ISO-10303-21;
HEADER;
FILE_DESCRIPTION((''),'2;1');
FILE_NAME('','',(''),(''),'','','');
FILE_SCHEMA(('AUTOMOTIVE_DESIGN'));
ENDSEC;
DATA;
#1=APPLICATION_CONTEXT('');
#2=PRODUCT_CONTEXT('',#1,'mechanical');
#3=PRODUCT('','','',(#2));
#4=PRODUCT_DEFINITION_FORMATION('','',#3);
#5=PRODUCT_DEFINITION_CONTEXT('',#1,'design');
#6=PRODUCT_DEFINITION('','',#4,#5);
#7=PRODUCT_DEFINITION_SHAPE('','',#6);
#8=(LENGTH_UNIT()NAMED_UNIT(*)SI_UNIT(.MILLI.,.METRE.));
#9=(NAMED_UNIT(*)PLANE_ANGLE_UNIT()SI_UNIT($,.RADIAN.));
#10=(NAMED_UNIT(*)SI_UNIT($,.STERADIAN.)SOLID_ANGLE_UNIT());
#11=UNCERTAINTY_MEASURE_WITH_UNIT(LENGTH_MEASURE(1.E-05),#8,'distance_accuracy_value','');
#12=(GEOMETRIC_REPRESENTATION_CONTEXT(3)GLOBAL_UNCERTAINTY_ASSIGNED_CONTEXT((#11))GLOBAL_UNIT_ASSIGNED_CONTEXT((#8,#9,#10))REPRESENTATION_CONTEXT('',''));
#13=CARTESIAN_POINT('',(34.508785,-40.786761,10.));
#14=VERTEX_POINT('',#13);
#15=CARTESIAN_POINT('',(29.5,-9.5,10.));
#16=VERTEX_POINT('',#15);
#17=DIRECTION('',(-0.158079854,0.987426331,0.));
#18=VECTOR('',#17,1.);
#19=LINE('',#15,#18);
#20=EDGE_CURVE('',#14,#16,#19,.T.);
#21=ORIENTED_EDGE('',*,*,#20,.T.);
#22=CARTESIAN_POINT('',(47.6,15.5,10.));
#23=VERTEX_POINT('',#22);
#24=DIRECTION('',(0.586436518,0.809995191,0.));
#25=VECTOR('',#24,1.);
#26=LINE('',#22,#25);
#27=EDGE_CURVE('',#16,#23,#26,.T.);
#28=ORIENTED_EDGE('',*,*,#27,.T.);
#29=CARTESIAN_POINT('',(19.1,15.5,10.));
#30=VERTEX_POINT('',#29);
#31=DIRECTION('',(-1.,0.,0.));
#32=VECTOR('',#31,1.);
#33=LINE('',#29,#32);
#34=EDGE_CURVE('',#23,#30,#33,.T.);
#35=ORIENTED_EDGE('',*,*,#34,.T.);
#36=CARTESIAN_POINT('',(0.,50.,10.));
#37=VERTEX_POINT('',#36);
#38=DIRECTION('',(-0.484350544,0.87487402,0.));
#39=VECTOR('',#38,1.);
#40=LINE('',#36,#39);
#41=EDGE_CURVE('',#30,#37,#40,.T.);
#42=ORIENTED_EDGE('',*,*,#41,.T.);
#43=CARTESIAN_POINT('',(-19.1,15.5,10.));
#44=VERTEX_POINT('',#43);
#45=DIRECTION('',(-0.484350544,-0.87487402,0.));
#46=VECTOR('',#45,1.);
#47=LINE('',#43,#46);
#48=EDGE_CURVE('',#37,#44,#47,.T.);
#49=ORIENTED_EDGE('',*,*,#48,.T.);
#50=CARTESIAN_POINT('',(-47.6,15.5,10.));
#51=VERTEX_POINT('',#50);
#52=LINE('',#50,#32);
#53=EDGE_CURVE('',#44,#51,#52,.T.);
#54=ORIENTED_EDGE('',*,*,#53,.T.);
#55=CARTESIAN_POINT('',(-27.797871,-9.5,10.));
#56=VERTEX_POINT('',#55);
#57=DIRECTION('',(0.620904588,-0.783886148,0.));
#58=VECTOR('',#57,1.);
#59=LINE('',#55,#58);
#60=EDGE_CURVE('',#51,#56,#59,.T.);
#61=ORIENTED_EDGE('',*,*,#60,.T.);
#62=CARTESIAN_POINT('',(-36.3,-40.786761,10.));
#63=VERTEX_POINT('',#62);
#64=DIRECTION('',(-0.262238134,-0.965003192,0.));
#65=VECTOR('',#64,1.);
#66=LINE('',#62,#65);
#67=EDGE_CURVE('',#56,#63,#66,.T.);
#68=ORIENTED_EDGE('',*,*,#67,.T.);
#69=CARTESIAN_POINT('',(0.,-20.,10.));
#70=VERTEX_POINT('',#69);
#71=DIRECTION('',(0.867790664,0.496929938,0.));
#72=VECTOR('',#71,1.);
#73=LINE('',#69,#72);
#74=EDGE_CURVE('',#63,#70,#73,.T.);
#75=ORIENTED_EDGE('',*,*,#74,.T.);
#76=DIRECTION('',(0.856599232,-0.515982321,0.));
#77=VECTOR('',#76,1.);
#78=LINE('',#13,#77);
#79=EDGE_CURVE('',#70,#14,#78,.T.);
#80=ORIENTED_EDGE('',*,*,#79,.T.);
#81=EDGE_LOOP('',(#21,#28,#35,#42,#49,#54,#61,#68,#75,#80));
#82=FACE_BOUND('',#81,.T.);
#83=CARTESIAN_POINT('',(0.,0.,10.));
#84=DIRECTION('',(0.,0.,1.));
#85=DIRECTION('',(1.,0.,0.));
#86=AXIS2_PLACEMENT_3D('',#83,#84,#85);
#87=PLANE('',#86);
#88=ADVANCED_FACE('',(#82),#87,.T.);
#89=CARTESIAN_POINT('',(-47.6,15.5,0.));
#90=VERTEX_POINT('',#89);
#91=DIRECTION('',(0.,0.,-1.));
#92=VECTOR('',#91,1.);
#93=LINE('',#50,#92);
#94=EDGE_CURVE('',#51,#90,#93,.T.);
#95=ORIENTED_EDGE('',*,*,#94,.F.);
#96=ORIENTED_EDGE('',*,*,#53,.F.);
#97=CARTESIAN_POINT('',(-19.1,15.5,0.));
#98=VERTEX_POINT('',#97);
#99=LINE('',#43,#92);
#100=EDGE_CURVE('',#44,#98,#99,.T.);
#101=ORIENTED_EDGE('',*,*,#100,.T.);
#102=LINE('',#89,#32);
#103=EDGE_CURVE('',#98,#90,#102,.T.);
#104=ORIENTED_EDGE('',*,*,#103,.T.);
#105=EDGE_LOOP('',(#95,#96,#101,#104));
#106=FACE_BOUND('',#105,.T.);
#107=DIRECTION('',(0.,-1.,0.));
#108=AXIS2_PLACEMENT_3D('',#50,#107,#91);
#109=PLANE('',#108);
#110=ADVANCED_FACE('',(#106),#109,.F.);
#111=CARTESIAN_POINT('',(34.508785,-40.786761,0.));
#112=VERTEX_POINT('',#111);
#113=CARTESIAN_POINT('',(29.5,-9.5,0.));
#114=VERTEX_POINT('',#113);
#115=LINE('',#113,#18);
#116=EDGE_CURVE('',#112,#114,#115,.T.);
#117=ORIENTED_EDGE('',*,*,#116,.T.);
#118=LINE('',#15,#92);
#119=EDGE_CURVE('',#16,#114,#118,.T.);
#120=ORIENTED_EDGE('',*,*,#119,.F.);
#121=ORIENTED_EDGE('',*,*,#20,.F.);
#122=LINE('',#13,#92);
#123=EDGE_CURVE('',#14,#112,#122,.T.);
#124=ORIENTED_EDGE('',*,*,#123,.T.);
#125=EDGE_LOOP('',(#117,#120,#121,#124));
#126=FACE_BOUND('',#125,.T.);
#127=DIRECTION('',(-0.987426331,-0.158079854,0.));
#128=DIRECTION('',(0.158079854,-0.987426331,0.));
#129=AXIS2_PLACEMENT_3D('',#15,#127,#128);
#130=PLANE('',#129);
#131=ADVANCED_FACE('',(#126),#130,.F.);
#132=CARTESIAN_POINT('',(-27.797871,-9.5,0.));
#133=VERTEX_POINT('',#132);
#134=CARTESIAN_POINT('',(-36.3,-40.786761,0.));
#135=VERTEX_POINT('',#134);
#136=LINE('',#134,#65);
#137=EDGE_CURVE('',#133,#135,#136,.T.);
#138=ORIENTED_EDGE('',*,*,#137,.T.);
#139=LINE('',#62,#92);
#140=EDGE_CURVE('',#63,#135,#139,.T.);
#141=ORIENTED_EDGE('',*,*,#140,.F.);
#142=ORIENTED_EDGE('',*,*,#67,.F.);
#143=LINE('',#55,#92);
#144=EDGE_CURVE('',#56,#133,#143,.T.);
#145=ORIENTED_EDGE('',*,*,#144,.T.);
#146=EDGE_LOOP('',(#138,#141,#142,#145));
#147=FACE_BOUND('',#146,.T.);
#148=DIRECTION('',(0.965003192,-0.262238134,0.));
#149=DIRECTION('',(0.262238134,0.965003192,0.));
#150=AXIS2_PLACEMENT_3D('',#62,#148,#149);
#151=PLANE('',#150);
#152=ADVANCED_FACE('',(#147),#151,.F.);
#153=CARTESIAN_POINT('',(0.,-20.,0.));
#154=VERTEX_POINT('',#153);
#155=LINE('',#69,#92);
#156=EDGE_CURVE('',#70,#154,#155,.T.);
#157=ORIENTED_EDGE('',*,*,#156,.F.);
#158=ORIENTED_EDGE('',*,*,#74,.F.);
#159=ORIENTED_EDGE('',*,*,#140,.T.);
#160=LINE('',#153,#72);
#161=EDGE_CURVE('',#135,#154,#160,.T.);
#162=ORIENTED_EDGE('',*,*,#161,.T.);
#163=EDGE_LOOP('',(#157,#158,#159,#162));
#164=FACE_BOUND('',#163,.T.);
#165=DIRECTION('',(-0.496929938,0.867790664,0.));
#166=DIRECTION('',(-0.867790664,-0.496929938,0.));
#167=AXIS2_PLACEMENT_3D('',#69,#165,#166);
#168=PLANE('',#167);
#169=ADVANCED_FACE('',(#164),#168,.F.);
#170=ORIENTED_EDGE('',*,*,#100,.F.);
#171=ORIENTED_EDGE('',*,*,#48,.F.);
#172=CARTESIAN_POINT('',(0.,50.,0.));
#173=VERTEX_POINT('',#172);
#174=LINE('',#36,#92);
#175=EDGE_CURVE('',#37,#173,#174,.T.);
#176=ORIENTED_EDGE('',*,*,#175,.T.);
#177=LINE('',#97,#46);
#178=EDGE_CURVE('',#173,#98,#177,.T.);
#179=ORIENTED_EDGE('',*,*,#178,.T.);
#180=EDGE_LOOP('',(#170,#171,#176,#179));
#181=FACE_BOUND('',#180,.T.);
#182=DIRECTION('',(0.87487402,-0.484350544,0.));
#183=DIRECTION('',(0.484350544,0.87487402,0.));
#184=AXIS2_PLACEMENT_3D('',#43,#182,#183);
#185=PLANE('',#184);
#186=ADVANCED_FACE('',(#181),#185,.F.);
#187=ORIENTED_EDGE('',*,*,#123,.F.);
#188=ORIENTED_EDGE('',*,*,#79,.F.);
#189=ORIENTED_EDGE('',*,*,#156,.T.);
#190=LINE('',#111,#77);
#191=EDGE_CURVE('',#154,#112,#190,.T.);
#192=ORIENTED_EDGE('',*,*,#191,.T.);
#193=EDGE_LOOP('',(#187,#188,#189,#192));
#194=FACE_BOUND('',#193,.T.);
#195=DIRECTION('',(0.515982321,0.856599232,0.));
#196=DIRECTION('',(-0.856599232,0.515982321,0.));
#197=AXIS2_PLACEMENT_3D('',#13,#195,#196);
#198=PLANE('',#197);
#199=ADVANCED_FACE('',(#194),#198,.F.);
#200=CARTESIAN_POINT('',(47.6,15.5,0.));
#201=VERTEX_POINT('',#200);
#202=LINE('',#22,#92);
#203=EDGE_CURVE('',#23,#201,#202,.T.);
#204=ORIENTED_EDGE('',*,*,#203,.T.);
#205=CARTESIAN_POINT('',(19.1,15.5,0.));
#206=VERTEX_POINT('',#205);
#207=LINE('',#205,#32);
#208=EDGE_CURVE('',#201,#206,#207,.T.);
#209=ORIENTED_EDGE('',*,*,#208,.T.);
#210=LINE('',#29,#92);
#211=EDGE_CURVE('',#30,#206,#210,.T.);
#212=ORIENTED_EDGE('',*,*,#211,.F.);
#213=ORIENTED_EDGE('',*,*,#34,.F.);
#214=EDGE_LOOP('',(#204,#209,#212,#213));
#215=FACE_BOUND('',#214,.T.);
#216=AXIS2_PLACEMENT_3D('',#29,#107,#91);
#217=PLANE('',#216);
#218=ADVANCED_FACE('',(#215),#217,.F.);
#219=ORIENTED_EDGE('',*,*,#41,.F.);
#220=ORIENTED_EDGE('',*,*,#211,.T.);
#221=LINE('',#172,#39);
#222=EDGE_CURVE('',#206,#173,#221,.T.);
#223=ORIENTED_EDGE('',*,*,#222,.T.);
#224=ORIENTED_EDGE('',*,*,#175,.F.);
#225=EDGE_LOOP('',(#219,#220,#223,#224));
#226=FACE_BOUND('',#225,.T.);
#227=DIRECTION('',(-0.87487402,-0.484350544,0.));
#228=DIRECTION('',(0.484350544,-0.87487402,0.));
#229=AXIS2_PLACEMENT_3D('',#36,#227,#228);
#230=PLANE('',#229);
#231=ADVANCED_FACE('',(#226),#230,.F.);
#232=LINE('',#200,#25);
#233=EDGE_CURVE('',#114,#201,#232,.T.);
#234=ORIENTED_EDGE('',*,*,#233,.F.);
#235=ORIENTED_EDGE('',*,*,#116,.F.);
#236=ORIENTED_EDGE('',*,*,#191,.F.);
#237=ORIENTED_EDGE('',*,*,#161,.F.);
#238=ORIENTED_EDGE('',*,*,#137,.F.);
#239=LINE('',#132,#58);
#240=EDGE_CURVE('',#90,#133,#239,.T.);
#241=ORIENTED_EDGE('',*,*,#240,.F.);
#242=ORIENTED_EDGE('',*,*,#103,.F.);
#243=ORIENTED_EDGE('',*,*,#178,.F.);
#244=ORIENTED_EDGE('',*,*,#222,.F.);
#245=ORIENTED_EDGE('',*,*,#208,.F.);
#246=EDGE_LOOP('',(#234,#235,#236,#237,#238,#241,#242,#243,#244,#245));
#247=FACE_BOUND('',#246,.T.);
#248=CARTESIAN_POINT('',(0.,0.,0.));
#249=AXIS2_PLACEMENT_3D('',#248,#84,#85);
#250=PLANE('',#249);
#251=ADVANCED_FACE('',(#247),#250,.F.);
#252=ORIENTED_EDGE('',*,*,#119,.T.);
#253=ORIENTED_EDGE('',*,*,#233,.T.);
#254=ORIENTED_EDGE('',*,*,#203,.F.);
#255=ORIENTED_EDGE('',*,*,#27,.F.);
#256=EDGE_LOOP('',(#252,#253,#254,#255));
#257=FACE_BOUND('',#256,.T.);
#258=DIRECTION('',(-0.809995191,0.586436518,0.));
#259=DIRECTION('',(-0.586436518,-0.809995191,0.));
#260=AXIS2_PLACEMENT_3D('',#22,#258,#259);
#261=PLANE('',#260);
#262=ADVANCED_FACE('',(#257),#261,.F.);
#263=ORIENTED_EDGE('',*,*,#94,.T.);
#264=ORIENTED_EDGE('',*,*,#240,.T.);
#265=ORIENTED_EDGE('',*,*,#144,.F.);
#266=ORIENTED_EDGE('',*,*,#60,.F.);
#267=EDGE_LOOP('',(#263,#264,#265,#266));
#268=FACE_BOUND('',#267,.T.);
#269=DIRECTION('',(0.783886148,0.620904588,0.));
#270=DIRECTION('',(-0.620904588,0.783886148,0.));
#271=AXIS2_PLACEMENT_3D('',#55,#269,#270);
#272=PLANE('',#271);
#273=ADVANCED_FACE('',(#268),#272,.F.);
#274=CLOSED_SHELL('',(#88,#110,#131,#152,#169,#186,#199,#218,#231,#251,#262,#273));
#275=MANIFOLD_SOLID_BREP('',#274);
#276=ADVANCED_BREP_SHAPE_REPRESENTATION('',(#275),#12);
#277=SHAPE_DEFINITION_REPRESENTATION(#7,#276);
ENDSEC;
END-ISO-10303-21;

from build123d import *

# Parameters (mm, degrees)
EXTRUDE_1_DEPTH = 10


with BuildPart() as part:
    # 草图1 → 凸台-拉伸1 (new body)
    with BuildSketch(Plane.XY):
        Polygon((0, 50), (19.1, 15.5), (47.6, 15.5), (29.5, -9.5), (34.508785337, -40.786760584), (0, -20), (-36.3, -40.786760584), (-27.797870916, -9.5), (-47.6, 15.5), (-19.1, 15.5), align=None)
    extrude(amount=EXTRUDE_1_DEPTH)


solid = part.part
